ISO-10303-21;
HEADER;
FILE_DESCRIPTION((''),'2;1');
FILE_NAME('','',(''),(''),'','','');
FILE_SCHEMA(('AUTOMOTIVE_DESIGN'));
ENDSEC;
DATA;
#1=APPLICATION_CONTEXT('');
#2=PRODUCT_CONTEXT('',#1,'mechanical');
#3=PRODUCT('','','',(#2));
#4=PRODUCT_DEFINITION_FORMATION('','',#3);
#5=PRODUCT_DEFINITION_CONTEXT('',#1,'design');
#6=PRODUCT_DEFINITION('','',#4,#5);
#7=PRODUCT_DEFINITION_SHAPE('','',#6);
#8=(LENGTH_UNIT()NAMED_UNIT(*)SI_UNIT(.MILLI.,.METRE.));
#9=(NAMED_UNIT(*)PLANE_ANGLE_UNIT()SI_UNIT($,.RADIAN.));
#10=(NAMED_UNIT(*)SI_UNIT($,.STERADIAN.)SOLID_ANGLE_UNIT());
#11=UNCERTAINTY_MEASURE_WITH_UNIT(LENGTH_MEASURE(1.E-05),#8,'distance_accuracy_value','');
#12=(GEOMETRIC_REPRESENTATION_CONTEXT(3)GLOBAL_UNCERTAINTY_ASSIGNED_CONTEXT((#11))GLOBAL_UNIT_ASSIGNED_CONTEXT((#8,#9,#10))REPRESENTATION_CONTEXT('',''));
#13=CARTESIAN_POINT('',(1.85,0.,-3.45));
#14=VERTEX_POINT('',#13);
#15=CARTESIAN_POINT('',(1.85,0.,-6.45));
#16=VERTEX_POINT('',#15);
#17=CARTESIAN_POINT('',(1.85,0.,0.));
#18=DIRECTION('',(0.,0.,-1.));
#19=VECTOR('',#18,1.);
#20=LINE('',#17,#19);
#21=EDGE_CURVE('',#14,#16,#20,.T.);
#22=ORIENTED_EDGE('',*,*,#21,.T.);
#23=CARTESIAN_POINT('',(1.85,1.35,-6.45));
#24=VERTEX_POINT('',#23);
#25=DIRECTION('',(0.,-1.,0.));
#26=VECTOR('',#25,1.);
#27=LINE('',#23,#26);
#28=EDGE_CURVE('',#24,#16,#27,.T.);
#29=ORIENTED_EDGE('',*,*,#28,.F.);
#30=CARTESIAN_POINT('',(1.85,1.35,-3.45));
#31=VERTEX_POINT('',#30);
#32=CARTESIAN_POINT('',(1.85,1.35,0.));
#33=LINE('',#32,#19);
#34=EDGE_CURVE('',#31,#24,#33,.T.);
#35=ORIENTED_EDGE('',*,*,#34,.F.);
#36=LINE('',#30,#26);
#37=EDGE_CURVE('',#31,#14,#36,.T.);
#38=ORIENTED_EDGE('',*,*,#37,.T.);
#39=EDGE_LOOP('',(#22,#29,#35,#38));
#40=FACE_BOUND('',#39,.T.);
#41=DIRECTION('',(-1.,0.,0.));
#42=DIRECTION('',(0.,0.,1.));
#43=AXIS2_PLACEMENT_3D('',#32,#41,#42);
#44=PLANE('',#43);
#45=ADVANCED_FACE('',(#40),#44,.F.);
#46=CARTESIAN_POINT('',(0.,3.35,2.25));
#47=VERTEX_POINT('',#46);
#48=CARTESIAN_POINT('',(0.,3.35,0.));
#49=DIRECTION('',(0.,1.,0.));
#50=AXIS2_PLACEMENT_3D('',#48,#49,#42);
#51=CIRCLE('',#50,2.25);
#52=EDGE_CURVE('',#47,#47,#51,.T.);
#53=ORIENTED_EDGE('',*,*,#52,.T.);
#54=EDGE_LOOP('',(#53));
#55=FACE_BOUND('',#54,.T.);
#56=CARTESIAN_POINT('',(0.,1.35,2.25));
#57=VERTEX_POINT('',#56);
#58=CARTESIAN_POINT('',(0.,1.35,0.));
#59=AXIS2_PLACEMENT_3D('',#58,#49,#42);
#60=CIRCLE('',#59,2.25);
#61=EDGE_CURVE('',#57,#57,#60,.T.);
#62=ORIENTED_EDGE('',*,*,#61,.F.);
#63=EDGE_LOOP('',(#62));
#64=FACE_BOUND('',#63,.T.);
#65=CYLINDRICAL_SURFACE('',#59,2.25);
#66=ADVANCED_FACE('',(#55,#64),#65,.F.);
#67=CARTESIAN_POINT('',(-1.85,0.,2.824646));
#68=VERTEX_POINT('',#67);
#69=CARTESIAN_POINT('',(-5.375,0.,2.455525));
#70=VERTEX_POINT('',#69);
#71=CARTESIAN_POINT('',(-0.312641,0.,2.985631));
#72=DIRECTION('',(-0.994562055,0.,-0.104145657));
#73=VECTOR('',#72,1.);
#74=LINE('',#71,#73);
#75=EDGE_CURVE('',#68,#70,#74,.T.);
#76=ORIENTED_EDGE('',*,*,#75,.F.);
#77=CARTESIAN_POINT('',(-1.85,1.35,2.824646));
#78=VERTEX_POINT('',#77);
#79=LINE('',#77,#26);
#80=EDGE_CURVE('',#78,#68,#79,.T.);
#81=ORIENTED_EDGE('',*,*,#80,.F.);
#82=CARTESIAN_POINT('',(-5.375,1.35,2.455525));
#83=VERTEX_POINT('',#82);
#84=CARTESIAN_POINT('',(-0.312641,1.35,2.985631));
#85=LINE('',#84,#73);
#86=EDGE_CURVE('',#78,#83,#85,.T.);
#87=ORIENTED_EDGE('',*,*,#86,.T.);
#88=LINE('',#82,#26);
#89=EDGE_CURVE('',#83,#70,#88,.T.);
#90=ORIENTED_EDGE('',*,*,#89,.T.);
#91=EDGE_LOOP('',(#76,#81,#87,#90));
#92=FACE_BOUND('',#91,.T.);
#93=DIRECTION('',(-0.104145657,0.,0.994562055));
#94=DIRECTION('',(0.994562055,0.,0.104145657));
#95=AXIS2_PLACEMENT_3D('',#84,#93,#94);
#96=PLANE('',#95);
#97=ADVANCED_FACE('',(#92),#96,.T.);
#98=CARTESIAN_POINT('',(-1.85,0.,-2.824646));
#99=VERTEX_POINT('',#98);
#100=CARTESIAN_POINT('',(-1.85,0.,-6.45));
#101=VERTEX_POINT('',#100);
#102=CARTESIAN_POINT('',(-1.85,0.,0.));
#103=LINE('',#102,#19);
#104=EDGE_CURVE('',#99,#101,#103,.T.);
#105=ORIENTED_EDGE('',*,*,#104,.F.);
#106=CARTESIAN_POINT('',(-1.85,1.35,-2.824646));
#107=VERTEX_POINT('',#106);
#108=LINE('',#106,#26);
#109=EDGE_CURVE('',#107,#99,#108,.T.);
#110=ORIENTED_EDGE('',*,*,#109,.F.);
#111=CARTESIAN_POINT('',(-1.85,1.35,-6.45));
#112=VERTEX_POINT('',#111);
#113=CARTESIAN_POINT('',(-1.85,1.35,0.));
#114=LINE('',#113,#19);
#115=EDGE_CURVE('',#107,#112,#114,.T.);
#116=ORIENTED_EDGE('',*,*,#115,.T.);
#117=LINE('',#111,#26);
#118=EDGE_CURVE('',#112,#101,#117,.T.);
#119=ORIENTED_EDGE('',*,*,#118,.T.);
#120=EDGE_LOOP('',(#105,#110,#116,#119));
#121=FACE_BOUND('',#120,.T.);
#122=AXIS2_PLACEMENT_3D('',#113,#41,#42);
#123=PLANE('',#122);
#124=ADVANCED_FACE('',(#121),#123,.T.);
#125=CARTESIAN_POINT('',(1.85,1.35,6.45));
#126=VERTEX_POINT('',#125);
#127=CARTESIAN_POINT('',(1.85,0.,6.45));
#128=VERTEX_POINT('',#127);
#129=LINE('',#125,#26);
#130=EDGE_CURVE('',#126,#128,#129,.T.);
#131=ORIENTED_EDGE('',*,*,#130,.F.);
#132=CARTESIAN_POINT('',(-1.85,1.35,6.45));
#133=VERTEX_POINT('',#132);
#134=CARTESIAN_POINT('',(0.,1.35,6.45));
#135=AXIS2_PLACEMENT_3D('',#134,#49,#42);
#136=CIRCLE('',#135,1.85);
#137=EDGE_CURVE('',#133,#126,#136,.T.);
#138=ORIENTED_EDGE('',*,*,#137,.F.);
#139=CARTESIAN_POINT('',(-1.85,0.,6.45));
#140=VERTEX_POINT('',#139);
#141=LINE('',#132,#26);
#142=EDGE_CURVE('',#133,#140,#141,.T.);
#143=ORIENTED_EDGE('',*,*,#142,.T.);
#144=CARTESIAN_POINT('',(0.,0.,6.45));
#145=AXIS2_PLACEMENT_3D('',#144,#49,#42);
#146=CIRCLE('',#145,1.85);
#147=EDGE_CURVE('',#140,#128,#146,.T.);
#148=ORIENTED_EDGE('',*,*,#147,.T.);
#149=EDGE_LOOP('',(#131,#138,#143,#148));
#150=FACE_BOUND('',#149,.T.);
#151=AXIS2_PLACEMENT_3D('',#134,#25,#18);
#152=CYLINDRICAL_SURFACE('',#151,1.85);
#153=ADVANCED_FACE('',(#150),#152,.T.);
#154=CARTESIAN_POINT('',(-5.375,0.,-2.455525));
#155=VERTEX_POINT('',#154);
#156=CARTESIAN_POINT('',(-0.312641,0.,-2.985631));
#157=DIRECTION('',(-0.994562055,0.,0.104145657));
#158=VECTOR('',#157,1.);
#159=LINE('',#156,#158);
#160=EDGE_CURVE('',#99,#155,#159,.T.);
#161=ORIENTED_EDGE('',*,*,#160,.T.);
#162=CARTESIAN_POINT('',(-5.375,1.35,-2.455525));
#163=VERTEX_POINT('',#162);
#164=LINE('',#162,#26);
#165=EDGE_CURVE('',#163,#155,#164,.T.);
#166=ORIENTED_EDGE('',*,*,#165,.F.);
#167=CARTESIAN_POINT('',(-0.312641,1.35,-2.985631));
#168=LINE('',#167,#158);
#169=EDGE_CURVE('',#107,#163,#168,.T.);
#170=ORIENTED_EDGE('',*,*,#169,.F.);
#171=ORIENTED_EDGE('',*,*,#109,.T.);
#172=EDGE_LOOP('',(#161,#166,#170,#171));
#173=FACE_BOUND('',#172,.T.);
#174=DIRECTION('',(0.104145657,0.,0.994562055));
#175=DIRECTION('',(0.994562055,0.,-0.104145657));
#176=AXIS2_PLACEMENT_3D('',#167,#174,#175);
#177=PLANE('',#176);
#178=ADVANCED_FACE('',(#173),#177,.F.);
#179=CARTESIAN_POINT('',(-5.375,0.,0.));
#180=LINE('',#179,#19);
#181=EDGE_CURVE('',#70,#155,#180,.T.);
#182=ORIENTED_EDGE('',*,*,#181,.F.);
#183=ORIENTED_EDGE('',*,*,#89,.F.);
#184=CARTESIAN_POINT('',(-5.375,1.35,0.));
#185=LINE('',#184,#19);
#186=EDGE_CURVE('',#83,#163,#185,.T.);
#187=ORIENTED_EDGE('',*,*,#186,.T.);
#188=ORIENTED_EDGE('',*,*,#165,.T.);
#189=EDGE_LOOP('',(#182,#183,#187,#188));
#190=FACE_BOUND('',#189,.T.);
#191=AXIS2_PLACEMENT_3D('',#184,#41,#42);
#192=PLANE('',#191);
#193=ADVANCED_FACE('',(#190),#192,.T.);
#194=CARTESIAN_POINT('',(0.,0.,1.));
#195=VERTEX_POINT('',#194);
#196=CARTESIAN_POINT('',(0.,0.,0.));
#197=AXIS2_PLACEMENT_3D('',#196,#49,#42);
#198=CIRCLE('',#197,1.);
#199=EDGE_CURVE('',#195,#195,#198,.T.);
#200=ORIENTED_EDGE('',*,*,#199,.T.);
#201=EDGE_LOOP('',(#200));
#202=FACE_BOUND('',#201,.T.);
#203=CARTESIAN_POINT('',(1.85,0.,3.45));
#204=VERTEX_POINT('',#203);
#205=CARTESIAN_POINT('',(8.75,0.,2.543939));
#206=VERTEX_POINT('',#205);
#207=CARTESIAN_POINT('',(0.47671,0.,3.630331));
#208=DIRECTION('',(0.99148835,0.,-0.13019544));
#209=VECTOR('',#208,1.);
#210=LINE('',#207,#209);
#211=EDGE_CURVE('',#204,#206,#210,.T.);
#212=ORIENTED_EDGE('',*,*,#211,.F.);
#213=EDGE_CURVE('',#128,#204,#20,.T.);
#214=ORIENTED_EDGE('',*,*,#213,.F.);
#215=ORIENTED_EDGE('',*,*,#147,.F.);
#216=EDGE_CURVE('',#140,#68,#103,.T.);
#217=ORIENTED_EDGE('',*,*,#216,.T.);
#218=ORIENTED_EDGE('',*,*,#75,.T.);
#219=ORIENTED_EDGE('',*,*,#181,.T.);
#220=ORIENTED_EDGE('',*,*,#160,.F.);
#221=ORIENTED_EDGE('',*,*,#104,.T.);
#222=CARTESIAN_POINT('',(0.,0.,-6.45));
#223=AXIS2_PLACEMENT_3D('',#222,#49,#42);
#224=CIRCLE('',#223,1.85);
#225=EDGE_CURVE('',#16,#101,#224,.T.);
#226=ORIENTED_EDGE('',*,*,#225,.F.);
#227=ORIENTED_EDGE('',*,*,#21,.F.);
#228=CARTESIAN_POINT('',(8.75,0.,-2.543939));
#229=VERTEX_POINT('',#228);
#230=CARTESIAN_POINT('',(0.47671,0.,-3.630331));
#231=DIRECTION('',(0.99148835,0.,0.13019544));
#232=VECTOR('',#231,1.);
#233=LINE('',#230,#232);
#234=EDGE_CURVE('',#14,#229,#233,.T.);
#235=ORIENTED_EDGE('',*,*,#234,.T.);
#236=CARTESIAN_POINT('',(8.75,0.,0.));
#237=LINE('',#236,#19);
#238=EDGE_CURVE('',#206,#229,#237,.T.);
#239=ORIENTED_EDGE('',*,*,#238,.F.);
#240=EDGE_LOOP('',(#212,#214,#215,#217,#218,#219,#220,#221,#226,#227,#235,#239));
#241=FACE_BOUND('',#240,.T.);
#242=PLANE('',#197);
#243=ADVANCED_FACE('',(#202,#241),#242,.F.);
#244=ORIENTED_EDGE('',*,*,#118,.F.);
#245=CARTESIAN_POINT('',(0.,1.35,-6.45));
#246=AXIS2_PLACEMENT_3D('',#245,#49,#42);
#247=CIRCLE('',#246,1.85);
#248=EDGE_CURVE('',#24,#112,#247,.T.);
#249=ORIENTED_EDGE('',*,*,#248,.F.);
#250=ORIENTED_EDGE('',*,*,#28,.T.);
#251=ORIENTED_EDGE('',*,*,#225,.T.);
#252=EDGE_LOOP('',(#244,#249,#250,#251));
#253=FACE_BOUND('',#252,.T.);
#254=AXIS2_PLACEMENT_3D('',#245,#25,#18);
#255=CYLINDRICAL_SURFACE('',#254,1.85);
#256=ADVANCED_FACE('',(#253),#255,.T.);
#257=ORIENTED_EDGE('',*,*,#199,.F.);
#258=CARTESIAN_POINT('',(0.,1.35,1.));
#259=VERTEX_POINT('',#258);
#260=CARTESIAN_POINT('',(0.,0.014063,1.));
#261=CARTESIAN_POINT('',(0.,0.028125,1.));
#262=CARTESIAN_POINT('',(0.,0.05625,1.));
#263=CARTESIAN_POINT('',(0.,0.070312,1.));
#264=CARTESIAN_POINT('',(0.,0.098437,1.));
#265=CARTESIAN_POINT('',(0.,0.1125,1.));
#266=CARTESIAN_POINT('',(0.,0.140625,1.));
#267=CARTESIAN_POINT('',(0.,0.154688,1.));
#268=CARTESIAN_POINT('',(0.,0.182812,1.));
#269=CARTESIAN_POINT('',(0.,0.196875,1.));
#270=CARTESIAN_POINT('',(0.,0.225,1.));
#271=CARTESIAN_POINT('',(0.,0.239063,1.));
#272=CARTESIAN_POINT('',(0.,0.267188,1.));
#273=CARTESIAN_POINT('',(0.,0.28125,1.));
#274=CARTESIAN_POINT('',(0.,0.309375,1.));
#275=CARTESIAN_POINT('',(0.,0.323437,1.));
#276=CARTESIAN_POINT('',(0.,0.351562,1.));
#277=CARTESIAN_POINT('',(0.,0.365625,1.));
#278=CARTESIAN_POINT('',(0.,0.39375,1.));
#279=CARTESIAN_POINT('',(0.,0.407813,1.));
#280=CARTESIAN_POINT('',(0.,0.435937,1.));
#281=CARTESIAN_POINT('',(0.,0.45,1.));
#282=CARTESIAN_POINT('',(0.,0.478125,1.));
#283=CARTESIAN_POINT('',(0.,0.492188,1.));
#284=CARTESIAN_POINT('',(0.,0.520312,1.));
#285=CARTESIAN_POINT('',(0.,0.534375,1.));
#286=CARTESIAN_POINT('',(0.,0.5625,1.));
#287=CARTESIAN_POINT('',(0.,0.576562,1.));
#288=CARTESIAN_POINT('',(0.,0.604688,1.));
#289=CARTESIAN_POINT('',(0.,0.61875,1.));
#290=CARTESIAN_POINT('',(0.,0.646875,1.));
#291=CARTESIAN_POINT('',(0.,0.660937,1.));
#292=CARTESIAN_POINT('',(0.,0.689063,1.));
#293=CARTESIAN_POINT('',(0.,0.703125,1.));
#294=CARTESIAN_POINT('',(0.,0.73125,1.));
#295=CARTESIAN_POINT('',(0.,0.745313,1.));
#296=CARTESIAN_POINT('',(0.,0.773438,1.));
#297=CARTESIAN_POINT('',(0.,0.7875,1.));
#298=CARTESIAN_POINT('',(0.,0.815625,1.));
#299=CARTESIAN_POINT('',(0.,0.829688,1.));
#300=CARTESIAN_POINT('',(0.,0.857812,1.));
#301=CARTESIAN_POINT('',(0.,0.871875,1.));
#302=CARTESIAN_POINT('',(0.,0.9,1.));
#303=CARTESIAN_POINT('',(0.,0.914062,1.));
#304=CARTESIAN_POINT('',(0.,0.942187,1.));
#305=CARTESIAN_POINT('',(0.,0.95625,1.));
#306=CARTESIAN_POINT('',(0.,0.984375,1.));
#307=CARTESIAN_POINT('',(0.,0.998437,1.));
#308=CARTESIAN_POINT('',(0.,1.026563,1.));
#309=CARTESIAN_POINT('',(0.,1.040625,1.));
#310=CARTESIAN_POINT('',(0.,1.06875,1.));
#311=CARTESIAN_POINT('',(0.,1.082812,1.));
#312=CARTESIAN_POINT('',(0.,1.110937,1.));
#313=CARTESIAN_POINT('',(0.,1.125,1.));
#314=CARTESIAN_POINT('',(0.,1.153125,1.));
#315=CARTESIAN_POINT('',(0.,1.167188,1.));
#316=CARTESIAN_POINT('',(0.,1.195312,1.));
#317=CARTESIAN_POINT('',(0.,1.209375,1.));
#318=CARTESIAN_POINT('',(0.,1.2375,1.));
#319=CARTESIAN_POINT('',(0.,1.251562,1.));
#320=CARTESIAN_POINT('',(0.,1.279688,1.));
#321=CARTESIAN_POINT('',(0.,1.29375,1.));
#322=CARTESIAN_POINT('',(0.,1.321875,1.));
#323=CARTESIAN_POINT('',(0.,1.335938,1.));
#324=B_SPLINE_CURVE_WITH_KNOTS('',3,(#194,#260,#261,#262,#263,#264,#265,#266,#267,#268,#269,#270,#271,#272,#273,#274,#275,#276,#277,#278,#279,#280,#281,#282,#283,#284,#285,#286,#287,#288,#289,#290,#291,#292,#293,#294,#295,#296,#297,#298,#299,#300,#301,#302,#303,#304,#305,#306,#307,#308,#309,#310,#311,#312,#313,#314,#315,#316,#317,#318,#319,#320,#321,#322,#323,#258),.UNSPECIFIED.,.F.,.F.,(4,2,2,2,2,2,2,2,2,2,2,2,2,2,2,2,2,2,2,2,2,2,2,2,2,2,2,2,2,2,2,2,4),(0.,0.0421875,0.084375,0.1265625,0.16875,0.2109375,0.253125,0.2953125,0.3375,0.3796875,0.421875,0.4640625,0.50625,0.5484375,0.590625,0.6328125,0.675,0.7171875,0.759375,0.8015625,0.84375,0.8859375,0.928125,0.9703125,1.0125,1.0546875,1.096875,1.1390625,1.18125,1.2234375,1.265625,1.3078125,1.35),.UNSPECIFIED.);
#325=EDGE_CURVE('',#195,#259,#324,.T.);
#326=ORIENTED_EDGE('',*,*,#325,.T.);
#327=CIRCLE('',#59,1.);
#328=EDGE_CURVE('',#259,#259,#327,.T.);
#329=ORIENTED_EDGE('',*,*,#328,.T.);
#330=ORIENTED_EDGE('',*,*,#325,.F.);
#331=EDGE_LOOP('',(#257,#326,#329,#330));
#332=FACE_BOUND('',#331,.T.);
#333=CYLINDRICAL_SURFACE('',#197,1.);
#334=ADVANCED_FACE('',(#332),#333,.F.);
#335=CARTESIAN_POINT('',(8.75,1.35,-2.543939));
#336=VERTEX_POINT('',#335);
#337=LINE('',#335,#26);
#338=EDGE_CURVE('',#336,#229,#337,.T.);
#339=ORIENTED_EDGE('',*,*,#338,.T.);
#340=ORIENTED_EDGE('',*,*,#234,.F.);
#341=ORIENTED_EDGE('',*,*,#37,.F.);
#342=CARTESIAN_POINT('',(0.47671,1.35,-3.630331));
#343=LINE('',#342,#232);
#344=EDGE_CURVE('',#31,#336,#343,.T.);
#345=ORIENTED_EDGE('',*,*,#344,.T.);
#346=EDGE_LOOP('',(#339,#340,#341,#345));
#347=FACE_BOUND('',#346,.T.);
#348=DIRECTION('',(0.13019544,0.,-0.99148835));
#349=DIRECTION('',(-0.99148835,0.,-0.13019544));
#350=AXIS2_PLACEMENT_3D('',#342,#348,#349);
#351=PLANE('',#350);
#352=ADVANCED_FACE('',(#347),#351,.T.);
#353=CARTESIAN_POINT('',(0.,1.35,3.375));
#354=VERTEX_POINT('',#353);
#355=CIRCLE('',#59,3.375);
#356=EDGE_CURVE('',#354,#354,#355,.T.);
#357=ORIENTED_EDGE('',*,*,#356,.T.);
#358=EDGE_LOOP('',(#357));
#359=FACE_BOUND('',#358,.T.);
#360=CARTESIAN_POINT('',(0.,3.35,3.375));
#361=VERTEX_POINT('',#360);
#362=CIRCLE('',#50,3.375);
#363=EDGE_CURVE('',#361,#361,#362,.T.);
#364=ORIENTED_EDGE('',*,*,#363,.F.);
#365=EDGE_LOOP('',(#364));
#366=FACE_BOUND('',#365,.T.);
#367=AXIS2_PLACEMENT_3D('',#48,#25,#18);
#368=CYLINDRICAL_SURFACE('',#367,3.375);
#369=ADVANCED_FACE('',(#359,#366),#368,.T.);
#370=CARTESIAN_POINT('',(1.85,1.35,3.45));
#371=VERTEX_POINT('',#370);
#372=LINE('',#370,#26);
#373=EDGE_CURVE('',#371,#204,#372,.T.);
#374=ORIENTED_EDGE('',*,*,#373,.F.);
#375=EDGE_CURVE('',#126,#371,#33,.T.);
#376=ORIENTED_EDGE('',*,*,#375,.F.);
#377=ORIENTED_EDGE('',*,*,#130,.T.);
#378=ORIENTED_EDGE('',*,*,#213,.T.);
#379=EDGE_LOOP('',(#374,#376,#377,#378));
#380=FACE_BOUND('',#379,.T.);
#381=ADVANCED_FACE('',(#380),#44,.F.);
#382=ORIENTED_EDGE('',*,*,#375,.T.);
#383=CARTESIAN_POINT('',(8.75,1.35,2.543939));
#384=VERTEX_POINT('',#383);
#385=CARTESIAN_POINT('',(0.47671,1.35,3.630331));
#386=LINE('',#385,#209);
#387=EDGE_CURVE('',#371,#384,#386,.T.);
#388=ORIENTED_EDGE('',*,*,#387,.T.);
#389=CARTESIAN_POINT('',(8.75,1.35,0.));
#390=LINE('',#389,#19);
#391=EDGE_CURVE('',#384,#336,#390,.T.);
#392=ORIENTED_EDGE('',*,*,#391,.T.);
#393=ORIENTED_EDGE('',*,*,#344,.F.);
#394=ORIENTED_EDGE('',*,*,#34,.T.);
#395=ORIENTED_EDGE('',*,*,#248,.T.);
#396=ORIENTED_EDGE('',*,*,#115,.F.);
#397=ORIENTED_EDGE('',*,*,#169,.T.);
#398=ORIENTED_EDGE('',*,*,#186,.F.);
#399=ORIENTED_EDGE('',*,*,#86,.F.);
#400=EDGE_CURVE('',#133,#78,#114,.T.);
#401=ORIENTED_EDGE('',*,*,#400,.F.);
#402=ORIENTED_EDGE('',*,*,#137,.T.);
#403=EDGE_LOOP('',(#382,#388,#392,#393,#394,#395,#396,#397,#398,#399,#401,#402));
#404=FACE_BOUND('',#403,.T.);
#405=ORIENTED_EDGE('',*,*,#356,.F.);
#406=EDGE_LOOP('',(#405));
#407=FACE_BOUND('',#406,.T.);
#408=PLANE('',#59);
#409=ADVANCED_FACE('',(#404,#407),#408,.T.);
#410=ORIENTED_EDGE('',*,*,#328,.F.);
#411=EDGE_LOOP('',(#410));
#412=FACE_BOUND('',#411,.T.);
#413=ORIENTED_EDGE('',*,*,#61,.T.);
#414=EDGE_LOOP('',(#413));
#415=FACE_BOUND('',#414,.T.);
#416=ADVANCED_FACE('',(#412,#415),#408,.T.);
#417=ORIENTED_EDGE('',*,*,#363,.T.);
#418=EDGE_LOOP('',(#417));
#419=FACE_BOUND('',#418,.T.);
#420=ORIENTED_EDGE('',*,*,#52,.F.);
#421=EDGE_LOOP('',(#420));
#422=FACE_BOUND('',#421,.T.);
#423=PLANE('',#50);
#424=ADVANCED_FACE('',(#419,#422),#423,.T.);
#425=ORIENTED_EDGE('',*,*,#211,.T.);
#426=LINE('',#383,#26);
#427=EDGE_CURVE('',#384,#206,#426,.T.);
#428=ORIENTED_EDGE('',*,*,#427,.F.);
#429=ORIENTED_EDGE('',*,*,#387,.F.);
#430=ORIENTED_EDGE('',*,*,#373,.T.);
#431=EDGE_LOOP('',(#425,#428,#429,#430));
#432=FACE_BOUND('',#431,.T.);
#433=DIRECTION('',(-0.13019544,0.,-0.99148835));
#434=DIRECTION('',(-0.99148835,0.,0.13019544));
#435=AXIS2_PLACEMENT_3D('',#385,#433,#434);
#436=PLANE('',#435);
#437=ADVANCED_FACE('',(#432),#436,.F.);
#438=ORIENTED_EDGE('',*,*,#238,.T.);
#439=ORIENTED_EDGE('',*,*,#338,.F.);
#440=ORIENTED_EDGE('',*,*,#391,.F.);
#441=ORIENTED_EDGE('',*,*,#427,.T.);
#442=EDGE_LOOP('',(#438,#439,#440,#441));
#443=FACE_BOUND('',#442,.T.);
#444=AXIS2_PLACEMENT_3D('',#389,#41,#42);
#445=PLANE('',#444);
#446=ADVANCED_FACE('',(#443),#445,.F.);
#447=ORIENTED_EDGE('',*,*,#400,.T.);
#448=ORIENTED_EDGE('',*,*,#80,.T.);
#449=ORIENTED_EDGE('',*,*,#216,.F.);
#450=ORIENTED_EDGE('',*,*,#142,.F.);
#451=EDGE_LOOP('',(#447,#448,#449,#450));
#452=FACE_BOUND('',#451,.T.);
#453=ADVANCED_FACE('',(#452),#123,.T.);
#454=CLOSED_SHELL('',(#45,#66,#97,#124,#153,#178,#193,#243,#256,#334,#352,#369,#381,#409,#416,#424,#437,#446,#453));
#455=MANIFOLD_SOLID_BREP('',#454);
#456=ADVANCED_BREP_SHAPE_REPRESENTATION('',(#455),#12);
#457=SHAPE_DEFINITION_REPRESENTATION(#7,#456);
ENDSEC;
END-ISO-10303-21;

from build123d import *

# Parameters (mm, degrees)
ESTRUSIONE_ESTRUSIONE1_DEPTH = 1.35
SCHIZZO2_R                   = 3.375
ESTRUSIONE_ESTRUSIONE2_DEPTH = 2
SCHIZZO3_R                   = 2.25
TAGLIO_ESTRUSIONE1_DEPTH     = 2
SCHIZZO4_R                   = 1
TAGLIO_ESTRUSIONE2_DEPTH     = 13.225076687


with BuildPart() as part:
    # Schizzo1 → Estrusione-Estrusione1 (new body)
    with BuildSketch(Plane(origin=(0, 0, 0), x_dir=(1, 0, 0), z_dir=(0, 1, 0))):
        with BuildLine():
            ThreePointArc((1.85, 6.45), (0, 8.3), (-1.85, 6.45))
            Line((-1.85, 6.45), (-1.85, 2.824645909))
            Line((-1.85, 2.824645909), (-5.375, 2.455525211))
            Line((-5.375, 2.455525211), (-5.375, -2.455525211))
            Line((-5.375, -2.455525211), (-1.85, -2.824645909))
            Line((-1.85, -2.824645909), (-1.85, -6.45))
            ThreePointArc((-1.85, -6.45), (0, -8.3), (1.85, -6.45))
            Line((1.85, -6.45), (1.85, -3.45))
            Line((1.85, -3.45), (8.75, -2.543939394))
            Line((8.75, -2.543939394), (8.75, 2.543939394))
            Line((8.75, 2.543939394), (1.85, 3.45))
            Line((1.85, 3.45), (1.85, 6.45))
        make_face()
    extrude(amount=ESTRUSIONE_ESTRUSIONE1_DEPTH)

    # Schizzo2 → Estrusione-Estrusione2 (add)
    with BuildSketch(Plane(origin=(0, 1.35, 0), x_dir=(1, 0, 0), z_dir=(0, 1, 0))):
        with Locations(Location((0, 0, 0), (0, 0, 270))):
            Circle(SCHIZZO2_R)
    extrude(amount=ESTRUSIONE_ESTRUSIONE2_DEPTH)

    # Schizzo3 → Taglio-Estrusione1 (cut)
    with BuildSketch(Plane(origin=(0, 3.35, 0), x_dir=(1, 0, 0), z_dir=(0, 1, 0))):
        with Locations(Location((0, 0, 0), (0, 0, 270))):
            Circle(SCHIZZO3_R)
    extrude(amount=-TAGLIO_ESTRUSIONE1_DEPTH, mode=Mode.SUBTRACT)

    # Schizzo4 → Taglio-Estrusione2 (cut, through all)
    with BuildSketch(Plane(origin=(0, 1.35, 0), x_dir=(1, 0, 0), z_dir=(0, 1, 0))):
        with Locations(Location((0, 0, 0), (0, 0, 270))):
            Circle(SCHIZZO4_R)
    extrude(amount=-TAGLIO_ESTRUSIONE2_DEPTH, mode=Mode.SUBTRACT)


solid = part.part
